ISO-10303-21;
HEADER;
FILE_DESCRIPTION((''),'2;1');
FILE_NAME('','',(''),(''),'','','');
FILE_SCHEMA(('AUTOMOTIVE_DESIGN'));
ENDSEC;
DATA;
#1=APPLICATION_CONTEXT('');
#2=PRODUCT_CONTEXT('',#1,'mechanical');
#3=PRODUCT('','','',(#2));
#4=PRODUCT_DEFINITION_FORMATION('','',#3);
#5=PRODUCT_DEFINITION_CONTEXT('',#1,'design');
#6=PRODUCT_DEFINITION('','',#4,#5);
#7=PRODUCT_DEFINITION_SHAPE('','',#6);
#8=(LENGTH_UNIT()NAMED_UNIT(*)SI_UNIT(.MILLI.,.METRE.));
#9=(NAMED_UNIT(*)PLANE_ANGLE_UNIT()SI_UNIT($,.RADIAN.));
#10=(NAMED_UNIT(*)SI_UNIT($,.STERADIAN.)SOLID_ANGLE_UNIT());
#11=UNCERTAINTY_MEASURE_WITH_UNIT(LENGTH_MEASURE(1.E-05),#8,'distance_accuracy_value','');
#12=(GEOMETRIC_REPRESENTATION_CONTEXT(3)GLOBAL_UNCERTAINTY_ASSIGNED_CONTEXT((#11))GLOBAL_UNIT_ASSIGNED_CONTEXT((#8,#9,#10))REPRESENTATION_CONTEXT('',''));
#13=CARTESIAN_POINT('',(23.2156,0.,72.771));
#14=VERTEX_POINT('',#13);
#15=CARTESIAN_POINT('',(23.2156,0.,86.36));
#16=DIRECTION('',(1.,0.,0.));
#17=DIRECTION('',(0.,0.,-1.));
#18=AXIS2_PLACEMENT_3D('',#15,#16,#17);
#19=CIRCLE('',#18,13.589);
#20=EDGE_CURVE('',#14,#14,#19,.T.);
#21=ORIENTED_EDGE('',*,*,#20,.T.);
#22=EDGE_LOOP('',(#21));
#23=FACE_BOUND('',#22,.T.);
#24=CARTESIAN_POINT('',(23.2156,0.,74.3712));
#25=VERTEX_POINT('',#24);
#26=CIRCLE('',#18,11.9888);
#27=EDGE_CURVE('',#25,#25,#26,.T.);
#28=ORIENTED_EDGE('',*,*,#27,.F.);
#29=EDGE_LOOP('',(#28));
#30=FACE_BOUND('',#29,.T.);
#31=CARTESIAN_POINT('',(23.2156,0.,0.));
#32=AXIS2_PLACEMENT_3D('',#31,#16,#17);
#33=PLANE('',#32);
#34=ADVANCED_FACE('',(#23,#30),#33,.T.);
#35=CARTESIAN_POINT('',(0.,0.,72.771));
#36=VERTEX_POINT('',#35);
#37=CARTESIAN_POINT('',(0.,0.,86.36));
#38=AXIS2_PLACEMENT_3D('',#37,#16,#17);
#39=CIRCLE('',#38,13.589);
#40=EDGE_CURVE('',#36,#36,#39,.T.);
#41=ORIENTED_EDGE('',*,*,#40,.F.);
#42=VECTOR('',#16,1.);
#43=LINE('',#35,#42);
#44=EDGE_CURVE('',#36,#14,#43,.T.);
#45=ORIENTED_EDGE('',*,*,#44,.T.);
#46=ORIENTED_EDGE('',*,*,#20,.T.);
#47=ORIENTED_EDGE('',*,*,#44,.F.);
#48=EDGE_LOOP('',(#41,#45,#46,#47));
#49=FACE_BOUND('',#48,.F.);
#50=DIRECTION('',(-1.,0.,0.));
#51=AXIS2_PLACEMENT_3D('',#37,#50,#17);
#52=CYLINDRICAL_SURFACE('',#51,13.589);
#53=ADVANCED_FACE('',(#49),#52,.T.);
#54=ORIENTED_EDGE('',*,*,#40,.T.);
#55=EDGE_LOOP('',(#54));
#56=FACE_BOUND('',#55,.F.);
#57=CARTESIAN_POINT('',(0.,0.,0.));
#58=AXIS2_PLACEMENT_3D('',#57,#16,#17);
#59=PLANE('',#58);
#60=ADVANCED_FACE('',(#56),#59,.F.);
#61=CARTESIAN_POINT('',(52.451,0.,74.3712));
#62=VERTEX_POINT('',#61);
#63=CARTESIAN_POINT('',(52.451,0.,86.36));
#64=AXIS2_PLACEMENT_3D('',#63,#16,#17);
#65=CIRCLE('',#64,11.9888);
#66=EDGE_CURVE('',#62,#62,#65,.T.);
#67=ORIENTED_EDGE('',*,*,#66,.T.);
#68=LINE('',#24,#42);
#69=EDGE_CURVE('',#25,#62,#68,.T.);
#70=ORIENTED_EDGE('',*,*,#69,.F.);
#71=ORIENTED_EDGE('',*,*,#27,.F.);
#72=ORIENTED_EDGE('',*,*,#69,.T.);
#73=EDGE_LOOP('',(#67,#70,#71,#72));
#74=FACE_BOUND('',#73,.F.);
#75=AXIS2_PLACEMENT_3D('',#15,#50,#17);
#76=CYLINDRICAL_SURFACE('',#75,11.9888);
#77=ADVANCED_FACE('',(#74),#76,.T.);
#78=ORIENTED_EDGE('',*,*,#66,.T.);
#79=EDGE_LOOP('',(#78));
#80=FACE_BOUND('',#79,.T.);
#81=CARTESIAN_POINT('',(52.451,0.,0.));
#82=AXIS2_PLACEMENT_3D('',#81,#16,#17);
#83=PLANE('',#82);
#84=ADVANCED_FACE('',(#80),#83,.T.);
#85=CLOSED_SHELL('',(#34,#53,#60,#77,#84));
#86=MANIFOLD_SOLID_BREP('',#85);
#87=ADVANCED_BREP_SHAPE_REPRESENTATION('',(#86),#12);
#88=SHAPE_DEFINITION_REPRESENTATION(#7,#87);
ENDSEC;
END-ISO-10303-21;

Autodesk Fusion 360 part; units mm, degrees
sketch "Sketch1" plane through (0, 0, 0) normal (1, 0, 0) x (0, 0, -1)
  circle A0 centre (-86.36, 0) radius 13.589
  dimension "d92" = 27.178
  dimension "d98" = 0
  dimension "d99" = 0
  dimension "d100" = 0
  dimension "d101" = 0
extrude "Extrude1" add sketch "Sketch1" along normal blind 23.2156
sketch "Sketch2" plane through (23.2156, 0, 0) normal (1, 0, 0) x (0, 0, -1)
  circle A0 centre (-86.36, 0) radius 13.589
  circle A1 centre (-86.36, 0) radius 11.9888
  dimension "d95" = 23.9776
extrude "Extrude2" add sketch "Sketch2" along normal blind 29.2354 contours A1
